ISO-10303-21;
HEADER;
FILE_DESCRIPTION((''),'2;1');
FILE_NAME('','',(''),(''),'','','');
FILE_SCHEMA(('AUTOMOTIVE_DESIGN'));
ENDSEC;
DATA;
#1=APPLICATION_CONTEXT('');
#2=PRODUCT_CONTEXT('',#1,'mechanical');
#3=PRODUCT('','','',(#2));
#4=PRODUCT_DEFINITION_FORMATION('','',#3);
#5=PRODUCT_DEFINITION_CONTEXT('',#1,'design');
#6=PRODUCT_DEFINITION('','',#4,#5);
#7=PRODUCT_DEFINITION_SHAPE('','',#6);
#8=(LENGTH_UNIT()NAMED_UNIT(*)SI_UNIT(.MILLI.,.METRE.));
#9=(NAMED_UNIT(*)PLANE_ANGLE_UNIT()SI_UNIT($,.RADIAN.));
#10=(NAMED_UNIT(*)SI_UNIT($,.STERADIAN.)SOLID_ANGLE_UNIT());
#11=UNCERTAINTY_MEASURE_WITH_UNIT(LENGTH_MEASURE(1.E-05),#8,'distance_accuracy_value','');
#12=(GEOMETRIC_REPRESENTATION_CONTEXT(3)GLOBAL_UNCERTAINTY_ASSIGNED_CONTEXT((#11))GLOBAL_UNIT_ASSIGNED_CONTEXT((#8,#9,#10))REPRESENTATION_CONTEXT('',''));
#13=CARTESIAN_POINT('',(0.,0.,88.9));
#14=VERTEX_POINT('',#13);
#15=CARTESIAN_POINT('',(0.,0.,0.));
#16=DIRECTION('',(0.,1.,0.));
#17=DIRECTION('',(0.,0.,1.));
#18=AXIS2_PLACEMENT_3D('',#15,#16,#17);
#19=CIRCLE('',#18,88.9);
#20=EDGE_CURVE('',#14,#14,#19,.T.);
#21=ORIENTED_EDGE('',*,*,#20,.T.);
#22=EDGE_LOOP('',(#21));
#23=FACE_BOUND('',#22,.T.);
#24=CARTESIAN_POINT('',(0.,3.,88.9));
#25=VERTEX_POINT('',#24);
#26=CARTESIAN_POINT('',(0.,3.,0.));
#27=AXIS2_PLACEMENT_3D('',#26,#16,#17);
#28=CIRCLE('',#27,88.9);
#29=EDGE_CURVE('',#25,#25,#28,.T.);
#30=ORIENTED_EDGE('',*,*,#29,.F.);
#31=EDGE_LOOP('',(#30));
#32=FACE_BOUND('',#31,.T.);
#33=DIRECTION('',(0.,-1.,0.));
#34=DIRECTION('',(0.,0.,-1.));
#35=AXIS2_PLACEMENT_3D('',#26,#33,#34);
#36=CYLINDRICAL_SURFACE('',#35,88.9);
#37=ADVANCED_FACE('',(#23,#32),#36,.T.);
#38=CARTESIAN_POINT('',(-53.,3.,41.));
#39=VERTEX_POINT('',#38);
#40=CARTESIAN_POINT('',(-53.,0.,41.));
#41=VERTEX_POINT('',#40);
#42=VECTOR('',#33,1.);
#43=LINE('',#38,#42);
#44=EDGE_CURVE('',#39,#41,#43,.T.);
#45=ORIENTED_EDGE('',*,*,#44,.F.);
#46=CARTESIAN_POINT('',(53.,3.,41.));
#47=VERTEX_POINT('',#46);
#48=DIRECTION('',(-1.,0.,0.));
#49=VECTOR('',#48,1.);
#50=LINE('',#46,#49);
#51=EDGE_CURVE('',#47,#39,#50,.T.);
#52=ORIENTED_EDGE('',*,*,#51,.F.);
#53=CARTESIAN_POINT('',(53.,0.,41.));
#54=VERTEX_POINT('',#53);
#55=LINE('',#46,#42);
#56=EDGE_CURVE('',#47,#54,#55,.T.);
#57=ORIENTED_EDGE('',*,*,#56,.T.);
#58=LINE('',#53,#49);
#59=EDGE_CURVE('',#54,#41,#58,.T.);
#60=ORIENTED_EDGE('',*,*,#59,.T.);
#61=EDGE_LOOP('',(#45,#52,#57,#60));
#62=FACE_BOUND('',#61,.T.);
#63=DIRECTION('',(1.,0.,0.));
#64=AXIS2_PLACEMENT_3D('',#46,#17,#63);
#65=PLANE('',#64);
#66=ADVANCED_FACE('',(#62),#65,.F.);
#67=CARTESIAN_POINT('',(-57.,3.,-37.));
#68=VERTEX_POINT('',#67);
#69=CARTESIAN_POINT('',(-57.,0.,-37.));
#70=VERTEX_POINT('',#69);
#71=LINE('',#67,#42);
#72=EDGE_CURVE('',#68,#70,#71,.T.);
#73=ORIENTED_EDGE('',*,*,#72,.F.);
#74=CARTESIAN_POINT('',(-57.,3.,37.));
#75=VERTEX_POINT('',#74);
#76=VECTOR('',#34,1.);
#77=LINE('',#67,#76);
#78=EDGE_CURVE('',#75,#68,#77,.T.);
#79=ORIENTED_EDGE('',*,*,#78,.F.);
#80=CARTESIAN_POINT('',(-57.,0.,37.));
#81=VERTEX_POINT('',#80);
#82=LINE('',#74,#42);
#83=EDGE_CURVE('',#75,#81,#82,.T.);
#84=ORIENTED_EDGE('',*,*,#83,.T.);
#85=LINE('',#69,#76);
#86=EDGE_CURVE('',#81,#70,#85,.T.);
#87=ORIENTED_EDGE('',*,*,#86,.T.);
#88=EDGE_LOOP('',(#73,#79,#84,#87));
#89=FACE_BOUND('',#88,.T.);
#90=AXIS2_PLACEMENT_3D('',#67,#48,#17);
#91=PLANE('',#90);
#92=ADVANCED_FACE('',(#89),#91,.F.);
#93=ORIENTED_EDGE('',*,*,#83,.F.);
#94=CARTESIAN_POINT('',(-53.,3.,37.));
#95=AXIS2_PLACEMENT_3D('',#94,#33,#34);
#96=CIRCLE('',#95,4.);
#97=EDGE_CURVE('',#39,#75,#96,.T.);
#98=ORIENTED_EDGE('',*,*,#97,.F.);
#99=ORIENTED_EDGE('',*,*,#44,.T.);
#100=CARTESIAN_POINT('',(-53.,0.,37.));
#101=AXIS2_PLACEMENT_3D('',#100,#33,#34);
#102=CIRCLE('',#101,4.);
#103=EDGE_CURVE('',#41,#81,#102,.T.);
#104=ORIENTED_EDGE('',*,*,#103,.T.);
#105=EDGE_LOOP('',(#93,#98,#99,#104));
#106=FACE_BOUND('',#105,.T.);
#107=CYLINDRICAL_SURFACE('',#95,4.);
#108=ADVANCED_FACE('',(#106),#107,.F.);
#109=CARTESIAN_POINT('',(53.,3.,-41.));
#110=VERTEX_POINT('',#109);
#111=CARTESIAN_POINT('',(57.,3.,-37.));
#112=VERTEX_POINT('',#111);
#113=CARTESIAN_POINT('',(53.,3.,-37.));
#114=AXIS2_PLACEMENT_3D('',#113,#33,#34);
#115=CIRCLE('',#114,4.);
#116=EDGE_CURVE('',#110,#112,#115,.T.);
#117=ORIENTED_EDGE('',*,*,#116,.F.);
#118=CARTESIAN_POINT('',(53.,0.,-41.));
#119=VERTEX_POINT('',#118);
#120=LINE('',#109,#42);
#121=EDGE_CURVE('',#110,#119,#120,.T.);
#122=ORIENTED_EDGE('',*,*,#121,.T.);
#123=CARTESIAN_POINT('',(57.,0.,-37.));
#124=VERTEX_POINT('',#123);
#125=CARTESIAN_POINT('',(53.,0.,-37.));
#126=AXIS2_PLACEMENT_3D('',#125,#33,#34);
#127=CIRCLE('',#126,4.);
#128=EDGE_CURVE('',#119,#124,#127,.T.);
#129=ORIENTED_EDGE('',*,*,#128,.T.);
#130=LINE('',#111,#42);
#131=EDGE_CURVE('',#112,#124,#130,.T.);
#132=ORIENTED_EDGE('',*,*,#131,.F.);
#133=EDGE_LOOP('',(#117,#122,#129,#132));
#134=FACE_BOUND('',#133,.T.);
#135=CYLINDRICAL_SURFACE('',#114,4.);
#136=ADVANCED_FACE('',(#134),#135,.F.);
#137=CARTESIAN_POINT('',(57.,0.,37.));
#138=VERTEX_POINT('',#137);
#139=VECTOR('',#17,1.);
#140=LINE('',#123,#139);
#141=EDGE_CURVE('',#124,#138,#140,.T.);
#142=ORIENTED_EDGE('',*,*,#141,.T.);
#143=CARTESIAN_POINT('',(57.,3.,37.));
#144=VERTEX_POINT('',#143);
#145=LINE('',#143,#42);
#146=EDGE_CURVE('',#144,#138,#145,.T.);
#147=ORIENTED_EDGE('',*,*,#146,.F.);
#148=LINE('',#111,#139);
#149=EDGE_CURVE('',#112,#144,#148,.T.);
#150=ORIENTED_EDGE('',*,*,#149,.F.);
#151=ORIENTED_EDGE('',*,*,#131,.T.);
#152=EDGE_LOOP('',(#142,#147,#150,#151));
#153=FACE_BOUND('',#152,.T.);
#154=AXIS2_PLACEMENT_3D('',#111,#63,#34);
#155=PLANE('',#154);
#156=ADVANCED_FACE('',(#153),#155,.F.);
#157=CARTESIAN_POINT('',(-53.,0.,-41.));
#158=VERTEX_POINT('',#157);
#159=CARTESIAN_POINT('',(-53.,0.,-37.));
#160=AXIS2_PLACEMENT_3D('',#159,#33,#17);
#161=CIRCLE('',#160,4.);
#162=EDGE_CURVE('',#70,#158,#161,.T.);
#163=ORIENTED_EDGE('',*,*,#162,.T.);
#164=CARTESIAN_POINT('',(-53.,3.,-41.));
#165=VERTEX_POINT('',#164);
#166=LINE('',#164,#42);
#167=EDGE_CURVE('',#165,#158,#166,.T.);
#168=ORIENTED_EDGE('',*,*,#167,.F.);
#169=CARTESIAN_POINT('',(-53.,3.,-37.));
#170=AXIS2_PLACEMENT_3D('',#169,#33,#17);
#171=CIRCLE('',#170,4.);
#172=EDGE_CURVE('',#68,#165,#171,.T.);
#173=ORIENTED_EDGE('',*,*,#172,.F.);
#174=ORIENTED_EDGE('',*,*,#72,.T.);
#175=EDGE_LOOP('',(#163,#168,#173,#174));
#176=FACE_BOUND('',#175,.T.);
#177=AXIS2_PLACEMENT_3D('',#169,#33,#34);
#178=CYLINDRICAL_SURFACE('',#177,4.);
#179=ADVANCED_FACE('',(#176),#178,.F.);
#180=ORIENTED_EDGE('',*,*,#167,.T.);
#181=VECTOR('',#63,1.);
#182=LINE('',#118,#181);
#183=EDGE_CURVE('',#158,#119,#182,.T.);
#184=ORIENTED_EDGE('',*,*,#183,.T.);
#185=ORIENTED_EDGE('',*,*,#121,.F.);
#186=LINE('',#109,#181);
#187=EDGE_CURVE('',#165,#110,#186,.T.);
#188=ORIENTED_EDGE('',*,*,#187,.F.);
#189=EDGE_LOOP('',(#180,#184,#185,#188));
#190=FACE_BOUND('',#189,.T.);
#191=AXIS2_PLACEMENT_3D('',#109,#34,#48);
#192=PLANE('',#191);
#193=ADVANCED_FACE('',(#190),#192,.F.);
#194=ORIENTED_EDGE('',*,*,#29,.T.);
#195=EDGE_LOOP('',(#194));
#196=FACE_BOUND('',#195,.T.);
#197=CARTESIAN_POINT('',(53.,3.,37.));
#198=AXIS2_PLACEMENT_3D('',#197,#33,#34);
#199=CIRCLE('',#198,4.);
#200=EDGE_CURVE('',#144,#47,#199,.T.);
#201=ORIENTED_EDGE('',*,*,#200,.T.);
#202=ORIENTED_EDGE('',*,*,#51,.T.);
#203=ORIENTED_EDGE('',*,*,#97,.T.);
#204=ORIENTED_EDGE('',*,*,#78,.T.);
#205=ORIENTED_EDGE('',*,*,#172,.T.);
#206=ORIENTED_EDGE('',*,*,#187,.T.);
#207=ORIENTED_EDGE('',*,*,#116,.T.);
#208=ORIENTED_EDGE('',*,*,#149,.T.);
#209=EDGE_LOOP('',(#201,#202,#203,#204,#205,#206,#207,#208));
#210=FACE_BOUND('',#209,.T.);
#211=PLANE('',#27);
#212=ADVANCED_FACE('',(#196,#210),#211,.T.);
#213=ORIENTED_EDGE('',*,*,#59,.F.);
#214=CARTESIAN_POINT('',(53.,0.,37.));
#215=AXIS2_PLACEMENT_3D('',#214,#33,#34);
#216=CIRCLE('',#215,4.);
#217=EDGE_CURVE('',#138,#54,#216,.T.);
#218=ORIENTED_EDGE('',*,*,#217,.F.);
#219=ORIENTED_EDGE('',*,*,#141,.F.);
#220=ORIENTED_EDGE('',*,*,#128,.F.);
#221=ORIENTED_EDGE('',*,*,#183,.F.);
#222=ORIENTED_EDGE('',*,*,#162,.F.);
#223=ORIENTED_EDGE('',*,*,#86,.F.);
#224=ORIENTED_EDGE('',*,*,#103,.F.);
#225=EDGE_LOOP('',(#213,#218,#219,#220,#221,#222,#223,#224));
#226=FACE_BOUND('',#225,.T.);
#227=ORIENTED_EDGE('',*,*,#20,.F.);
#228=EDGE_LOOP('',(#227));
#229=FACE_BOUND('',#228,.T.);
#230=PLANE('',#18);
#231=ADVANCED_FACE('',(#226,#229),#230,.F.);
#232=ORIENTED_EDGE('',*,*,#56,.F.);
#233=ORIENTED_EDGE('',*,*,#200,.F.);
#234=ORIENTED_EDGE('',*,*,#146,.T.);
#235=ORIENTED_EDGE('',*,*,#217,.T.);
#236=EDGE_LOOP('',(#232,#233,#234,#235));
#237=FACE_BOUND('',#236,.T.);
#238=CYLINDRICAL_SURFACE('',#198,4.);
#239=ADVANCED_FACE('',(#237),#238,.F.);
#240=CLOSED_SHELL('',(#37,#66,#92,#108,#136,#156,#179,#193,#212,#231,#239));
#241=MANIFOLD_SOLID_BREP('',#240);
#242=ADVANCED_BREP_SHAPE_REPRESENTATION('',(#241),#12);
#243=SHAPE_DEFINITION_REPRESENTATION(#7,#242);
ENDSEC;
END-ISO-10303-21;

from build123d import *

# Parameters (mm, degrees)
SKETCH1_R           = 88.9
BOSS_EXTRUDE1_DEPTH = 3
CUT_EXTRUDE2_DEPTH  = 3


with BuildPart() as part:
    # Sketch1 → Boss-Extrude1 (new body)
    with BuildSketch(Plane(origin=(0, 0, 0), x_dir=(1, 0, 0), z_dir=(0, 1, 0))):
        with Locations(Location((0, 0, 0), (0, 0, 270))):
            Circle(SKETCH1_R)
    extrude(amount=BOSS_EXTRUDE1_DEPTH)

    # Sketch3 → Cut-Extrude2 (cut)
    with BuildSketch(Plane.XZ):
        with BuildLine():
            Line((53, -41), (-53, -41))
            ThreePointArc((-53, -41), (-55.828427125, -39.828427125), (-57, -37))
            Line((-57, -37), (-57, 37))
            ThreePointArc((-57, 37), (-55.828427125, 39.828427125), (-53, 41))
            Line((-53, 41), (53, 41))
            ThreePointArc((53, 41), (55.828427125, 39.828427125), (57, 37))
            Line((57, 37), (57, -37))
            ThreePointArc((57, -37), (55.828427125, -39.828427125), (53, -41))
        make_face()
    extrude(amount=-CUT_EXTRUDE2_DEPTH, mode=Mode.SUBTRACT)


solid = part.part
